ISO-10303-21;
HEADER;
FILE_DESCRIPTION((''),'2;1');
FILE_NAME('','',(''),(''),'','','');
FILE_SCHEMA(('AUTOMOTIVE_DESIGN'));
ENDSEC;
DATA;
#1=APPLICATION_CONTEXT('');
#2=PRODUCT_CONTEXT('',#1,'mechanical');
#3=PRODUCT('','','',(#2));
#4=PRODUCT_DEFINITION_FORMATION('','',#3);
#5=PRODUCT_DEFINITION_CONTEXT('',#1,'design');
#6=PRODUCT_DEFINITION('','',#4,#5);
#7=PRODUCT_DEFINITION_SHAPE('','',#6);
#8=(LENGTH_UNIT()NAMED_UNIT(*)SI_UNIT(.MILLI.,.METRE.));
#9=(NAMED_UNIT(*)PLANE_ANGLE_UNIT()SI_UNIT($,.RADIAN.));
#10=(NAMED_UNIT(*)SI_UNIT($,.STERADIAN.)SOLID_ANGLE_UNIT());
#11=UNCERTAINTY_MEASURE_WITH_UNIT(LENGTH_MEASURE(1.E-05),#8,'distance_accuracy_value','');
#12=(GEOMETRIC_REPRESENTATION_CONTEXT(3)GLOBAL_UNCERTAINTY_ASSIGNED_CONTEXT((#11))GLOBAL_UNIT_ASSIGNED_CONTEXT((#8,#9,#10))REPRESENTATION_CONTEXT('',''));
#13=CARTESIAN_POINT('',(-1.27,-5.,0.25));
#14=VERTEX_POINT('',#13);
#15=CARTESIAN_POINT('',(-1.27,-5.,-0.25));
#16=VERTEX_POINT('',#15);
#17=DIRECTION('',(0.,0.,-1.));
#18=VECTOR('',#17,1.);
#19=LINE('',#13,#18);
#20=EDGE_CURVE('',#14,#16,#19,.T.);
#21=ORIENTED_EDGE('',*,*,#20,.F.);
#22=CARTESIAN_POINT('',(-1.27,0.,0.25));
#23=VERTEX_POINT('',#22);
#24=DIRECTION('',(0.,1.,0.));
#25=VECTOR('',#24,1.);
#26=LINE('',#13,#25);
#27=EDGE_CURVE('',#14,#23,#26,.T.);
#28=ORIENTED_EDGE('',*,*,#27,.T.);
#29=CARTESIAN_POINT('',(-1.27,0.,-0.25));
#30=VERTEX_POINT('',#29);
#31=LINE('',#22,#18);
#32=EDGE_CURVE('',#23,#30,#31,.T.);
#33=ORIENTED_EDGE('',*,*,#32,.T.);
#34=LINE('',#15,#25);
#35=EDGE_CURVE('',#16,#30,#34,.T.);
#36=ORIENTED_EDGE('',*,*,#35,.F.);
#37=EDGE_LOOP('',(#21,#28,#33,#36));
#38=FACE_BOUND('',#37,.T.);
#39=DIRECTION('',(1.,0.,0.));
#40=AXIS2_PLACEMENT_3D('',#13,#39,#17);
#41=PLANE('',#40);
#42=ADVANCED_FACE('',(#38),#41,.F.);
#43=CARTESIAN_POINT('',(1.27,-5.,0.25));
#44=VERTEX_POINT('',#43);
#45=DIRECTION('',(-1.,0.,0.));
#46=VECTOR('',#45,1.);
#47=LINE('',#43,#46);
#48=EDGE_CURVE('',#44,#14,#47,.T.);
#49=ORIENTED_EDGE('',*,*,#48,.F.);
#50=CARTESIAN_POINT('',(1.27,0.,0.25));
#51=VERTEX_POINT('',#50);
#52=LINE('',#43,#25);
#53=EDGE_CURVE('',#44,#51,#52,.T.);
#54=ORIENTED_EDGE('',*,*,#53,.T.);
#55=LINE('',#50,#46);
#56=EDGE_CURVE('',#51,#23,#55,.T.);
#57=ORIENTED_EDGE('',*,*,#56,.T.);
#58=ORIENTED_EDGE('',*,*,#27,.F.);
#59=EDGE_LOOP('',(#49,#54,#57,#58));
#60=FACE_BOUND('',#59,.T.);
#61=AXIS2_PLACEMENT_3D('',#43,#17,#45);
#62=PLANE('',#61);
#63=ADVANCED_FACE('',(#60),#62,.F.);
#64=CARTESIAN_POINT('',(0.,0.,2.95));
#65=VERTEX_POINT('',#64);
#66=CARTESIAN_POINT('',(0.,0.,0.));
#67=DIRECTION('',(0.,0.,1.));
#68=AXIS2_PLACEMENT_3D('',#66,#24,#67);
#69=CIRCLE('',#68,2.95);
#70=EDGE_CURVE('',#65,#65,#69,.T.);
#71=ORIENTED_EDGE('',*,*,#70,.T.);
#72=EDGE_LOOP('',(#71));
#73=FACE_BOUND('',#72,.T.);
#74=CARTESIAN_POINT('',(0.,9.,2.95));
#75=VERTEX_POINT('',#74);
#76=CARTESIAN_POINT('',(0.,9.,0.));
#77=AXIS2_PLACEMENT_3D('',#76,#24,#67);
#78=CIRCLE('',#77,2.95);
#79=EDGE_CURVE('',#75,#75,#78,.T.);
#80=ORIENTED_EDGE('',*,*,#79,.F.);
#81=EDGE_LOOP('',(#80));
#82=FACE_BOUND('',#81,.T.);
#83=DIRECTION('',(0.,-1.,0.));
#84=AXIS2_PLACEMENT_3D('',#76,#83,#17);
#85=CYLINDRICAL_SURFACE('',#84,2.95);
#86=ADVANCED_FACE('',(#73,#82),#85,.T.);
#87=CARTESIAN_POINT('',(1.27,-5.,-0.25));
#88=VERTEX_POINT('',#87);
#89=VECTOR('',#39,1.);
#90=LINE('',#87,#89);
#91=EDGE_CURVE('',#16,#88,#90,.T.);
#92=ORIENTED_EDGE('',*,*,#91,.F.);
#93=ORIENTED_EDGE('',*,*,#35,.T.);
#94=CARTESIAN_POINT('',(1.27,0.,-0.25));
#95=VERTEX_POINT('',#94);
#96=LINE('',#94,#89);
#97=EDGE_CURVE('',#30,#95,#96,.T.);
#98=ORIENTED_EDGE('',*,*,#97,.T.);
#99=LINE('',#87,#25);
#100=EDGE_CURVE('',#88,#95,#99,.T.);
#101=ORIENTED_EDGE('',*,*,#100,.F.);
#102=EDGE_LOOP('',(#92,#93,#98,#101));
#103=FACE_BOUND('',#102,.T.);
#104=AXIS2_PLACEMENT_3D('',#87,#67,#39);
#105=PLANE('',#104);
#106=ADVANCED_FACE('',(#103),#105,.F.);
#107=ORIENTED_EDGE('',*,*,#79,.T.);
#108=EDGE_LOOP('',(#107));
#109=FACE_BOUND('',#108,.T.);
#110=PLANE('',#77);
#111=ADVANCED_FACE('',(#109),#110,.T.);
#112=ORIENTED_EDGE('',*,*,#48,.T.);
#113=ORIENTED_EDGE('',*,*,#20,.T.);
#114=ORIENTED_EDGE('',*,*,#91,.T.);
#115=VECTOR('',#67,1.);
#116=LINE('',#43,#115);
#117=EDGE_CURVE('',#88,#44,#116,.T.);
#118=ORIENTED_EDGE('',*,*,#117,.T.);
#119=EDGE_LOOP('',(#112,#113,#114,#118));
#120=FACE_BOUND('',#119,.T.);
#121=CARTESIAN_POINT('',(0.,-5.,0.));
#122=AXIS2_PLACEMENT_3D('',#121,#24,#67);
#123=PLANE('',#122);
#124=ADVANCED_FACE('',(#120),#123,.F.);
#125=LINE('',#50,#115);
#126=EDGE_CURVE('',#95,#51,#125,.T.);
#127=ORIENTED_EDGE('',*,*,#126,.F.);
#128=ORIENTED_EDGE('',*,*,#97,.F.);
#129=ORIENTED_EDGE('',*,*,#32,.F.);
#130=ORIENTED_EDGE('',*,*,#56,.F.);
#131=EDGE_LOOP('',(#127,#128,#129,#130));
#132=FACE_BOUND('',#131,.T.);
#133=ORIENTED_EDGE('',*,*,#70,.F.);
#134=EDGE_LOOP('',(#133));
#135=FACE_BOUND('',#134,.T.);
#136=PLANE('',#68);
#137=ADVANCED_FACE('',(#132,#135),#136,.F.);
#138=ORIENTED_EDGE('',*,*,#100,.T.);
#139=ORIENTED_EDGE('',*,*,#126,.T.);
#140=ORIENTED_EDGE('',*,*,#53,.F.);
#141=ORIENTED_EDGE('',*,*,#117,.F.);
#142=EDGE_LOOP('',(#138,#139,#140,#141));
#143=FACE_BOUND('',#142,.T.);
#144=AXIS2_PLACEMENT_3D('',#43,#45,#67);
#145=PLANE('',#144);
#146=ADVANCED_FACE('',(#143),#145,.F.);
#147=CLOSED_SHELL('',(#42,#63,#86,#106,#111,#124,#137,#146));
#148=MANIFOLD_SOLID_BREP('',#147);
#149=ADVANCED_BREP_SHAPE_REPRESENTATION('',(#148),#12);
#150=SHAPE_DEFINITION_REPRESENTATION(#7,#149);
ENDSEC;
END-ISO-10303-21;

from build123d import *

# Parameters (mm, degrees)
SKETCH2_R           = 2.95
BOSS_EXTRUDE1_DEPTH = 9
SKETCH3_W           = 2.54
SKETCH3_H           = 0.5
BOSS_EXTRUDE2_DEPTH = 5


with BuildPart() as part:
    # Sketch2 → Boss-Extrude1 (new body)
    with BuildSketch(Plane(origin=(0, 0, 0), x_dir=(1, 0, 0), z_dir=(0, 1, 0))):
        with Locations(Location((0, 0, 0), (0, 0, 270))):
            Circle(SKETCH2_R)
    extrude(amount=BOSS_EXTRUDE1_DEPTH)

    # Sketch3 → Boss-Extrude2 (add)
    with BuildSketch(Plane.XZ):
        Rectangle(SKETCH3_W, SKETCH3_H)
    extrude(amount=BOSS_EXTRUDE2_DEPTH)


solid = part.part
